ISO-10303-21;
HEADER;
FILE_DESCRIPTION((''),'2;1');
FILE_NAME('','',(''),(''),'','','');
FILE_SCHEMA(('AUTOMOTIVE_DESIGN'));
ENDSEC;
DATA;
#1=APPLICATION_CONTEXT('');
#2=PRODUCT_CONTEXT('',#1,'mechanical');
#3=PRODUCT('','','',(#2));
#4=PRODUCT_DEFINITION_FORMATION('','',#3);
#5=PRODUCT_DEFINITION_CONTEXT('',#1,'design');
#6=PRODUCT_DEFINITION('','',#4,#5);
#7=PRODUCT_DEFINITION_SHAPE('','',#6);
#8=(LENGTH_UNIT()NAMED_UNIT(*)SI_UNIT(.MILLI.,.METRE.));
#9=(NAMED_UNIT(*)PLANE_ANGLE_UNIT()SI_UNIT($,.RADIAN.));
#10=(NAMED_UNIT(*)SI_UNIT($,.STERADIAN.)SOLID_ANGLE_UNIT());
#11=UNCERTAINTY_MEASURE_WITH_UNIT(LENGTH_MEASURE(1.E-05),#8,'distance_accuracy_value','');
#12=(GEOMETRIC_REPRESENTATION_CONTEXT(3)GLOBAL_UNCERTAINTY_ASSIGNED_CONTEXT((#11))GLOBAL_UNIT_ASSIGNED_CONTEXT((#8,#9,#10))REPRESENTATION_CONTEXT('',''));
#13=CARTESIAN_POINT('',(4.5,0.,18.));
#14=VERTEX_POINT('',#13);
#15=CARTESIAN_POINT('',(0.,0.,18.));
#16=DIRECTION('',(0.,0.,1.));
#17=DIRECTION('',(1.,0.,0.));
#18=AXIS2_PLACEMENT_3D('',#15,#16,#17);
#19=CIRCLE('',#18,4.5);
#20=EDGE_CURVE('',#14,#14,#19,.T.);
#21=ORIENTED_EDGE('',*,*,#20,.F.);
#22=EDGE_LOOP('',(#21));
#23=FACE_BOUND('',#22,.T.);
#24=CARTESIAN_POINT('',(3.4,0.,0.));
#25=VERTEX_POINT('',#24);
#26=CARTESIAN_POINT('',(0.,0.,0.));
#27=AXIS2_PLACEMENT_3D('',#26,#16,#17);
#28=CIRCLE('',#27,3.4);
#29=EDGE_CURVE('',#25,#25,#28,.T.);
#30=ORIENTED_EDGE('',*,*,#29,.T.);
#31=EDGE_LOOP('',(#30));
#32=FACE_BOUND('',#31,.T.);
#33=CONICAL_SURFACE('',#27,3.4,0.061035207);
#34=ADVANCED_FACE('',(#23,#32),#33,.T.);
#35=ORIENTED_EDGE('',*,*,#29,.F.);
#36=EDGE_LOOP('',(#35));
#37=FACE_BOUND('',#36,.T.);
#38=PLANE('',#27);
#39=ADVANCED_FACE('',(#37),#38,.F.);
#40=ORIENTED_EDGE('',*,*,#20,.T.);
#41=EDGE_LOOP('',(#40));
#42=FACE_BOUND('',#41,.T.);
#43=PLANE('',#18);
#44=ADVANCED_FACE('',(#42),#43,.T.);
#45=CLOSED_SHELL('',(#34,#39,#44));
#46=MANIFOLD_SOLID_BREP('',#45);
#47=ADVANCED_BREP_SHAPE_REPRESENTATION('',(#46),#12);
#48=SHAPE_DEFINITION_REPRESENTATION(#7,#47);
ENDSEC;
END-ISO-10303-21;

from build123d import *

# Parameters (mm, degrees)
SKETCH2_R = 4.5
SKETCH1_R = 3.4


with BuildPart() as part:
    # Sketch2 → Loft1 section 0
    with BuildSketch(Plane.XY.offset(18)):
        Circle(SKETCH2_R)
    # Sketch1 → Loft1 section 1
    with BuildSketch(Plane.XY):
        Circle(SKETCH1_R)
    loft()


solid = part.part
